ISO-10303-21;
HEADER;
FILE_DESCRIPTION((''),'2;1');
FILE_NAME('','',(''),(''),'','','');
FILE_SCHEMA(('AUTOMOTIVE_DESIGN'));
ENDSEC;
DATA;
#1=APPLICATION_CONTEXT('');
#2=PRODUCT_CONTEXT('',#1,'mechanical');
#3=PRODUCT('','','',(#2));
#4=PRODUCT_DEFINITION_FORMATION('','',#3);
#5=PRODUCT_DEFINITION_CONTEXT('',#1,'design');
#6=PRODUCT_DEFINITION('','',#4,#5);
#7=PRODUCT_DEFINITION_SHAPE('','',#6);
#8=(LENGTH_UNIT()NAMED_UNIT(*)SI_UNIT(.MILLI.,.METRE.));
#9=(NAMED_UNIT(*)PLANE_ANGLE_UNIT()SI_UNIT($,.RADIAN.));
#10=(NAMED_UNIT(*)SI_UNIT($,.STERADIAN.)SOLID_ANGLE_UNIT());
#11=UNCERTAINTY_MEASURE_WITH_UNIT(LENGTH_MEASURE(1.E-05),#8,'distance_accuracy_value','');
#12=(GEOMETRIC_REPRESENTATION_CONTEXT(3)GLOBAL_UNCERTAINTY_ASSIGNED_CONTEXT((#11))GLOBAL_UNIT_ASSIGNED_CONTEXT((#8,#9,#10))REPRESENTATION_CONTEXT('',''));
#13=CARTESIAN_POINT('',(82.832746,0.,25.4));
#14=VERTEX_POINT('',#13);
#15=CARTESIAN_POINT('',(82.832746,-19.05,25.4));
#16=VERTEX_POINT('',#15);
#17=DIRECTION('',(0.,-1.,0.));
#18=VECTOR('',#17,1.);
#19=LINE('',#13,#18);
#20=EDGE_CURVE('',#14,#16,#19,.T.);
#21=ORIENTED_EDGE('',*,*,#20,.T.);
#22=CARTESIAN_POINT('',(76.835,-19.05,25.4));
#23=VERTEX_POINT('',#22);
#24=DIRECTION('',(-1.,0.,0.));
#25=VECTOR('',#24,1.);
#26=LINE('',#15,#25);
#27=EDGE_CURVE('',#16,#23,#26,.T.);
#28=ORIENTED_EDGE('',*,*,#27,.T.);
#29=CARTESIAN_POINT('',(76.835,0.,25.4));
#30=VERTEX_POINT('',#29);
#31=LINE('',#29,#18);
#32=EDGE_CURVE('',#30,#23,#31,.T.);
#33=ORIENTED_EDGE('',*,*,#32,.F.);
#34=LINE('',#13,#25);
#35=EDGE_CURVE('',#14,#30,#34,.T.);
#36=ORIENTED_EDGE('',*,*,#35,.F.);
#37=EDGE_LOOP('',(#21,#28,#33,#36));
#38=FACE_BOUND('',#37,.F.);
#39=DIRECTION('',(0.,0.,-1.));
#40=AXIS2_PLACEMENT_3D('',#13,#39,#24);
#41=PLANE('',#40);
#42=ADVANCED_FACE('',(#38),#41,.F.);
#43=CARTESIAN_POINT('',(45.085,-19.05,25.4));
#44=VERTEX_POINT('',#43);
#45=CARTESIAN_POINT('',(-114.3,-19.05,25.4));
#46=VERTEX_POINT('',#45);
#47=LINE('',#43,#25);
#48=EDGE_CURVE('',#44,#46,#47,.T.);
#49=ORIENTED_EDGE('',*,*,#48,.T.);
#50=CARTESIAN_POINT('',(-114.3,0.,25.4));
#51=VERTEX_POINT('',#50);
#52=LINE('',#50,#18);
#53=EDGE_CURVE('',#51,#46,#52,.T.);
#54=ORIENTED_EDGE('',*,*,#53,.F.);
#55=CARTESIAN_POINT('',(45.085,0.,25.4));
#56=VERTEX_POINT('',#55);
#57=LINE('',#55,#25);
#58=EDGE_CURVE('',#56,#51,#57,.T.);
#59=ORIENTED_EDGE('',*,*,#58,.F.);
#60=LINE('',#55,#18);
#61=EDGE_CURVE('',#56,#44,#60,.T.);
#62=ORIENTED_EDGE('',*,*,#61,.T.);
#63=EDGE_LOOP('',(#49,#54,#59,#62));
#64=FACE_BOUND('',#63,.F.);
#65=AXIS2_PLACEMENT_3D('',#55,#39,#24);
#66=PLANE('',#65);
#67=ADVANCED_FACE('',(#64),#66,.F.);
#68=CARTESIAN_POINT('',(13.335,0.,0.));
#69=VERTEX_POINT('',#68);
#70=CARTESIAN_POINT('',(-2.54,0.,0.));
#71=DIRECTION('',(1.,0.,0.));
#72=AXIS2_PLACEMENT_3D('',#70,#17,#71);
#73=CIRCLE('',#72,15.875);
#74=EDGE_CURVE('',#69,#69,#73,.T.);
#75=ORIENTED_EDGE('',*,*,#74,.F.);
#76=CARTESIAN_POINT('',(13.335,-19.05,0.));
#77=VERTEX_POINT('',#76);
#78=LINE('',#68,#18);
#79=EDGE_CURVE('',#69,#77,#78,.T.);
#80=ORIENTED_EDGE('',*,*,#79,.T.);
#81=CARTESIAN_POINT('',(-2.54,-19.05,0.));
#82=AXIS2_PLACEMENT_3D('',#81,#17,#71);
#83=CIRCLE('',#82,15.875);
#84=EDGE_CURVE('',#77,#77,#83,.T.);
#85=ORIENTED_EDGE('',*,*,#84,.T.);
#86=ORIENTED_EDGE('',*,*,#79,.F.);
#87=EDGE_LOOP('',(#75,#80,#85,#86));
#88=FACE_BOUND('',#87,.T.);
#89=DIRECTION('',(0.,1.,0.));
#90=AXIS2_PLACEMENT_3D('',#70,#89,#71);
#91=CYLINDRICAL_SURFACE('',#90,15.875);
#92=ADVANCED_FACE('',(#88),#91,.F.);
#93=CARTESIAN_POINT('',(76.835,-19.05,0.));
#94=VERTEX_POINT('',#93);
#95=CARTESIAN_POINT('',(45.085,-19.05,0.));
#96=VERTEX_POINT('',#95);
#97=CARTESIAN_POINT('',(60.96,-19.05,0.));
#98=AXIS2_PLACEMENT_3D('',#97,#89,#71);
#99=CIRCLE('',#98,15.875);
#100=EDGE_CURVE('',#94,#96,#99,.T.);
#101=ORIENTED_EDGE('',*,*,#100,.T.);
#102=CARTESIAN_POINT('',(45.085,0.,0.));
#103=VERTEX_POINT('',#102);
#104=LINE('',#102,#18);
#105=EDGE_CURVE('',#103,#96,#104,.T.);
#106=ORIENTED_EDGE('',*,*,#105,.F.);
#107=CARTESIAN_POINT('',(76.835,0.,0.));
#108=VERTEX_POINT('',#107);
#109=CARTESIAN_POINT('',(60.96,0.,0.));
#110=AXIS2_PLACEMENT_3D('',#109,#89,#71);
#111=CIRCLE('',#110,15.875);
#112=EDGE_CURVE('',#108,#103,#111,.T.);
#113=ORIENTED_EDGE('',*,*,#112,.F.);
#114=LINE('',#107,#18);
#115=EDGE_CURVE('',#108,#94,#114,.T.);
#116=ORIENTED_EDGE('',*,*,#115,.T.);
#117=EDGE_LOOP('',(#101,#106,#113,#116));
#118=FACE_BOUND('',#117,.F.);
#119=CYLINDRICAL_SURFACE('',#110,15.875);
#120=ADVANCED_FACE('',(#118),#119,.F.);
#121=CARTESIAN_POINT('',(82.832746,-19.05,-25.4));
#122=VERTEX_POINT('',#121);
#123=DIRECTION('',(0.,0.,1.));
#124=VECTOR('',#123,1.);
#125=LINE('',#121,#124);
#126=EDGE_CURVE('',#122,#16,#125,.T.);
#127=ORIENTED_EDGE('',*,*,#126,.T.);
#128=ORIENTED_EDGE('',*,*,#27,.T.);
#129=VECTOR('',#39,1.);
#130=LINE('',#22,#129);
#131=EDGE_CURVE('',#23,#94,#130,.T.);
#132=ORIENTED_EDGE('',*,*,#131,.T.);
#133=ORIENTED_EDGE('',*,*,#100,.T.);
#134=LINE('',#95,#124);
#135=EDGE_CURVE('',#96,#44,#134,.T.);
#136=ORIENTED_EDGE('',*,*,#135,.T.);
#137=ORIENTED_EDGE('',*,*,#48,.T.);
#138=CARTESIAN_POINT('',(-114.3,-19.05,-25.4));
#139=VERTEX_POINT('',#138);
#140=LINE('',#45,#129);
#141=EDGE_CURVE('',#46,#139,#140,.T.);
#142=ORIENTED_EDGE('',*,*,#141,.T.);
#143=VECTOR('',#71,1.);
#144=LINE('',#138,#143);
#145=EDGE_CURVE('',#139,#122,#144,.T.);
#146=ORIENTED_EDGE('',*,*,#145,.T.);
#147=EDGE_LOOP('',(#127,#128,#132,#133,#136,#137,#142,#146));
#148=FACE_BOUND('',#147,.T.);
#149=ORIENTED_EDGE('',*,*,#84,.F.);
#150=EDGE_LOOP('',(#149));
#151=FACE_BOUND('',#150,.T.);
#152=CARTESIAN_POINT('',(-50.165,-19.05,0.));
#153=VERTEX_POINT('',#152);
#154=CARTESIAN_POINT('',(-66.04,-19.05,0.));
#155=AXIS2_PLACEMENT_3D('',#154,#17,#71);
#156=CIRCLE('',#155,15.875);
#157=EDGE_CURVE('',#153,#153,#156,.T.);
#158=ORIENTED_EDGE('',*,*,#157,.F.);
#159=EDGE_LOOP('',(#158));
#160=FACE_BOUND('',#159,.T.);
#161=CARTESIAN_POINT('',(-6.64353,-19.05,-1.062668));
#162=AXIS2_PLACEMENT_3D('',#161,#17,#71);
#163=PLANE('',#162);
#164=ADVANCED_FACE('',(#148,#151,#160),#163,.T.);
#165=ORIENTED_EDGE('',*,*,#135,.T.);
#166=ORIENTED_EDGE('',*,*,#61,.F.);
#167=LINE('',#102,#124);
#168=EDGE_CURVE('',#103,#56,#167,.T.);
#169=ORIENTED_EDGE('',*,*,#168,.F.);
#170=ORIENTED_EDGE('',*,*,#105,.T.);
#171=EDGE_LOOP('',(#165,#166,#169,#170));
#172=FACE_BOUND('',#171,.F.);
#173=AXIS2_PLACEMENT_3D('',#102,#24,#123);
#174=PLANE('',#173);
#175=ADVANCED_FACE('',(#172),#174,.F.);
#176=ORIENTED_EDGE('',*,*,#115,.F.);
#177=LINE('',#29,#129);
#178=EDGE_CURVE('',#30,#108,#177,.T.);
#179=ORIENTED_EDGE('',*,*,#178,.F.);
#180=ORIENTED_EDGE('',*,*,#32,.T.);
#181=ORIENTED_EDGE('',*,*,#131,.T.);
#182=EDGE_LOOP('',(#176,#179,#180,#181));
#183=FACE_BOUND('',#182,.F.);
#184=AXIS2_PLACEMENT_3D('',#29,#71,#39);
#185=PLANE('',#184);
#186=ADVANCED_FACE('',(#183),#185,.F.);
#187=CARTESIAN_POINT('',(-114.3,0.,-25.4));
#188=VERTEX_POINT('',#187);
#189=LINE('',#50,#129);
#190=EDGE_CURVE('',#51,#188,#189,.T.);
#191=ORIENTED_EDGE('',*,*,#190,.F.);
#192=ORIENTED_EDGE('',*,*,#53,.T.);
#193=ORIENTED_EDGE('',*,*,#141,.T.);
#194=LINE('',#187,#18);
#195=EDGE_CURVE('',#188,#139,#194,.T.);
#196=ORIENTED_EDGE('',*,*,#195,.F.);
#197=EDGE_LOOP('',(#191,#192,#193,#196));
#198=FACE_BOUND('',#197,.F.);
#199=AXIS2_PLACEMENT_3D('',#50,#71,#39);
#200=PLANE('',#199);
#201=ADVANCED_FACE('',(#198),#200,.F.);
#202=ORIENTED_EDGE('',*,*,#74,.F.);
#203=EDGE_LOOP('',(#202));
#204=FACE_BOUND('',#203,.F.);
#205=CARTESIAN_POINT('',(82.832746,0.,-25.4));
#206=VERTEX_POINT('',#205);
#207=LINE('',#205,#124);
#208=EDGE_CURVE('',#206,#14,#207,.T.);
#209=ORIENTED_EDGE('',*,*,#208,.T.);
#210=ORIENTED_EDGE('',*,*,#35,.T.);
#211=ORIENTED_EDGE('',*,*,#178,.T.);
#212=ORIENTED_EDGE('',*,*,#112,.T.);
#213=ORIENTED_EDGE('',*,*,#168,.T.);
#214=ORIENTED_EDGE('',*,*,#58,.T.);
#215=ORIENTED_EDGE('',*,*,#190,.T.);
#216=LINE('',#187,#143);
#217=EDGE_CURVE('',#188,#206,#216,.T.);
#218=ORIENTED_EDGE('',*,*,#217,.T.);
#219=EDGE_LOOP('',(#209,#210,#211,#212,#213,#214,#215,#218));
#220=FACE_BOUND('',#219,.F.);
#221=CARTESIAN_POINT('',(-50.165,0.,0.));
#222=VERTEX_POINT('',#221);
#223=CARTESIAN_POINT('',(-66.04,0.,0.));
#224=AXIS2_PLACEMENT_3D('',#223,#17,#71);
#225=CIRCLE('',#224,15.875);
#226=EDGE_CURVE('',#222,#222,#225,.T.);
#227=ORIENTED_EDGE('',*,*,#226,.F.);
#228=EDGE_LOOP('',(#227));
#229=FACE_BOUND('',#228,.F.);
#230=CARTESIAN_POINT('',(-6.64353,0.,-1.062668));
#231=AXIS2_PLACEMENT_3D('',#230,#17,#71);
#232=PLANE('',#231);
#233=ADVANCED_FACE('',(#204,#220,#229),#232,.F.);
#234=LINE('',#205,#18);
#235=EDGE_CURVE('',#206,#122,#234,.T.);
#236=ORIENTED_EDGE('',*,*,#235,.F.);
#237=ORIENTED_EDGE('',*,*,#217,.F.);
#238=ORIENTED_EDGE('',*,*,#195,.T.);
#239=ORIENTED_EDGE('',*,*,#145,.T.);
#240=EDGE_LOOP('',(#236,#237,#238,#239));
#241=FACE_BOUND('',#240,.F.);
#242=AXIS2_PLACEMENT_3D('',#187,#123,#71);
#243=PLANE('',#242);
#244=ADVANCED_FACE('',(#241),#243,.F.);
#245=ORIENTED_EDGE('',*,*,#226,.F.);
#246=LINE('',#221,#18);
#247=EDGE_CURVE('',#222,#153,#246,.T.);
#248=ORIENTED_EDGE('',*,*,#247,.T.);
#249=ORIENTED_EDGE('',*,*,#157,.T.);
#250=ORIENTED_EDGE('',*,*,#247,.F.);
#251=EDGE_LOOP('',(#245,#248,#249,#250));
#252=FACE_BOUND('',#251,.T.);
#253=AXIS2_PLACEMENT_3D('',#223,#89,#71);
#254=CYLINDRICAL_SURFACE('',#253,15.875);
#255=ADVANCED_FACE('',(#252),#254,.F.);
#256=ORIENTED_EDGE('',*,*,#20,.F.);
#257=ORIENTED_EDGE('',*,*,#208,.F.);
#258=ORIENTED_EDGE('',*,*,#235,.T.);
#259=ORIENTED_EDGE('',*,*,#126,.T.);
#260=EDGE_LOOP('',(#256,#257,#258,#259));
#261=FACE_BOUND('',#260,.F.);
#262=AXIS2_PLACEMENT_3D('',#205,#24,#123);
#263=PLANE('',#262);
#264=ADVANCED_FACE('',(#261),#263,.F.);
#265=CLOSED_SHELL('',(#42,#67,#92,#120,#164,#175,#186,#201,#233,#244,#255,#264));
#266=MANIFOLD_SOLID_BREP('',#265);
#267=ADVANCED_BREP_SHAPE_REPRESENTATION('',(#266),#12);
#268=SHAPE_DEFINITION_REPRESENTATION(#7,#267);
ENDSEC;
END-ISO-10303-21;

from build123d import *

# Parameters (mm, degrees)
F0_R     = 15.875
F1_DEPTH = 19.05


with BuildPart() as f1:
    # F0 (on Front) → F1 (new body)
    with BuildSketch(Plane.XZ):
        with BuildLine():
            Line((-114.3, -25.4), (82.832746, -25.4))
            Line((82.832746, -25.4), (82.832746, 25.4))
            Line((82.832746, 25.4), (76.835, 25.4))
            Line((76.835, 25.4), (76.835, 0))
            ThreePointArc((76.835, 0), (60.96, -15.875), (45.085, 0))
            Line((45.085, 0), (45.085, 25.4))
            Line((45.085, 25.4), (-114.3, 25.4))
            Line((-114.3, 25.4), (-114.3, -25.4))
        make_face()
        with Locations((-66.04, 0)):
            Circle(F0_R, mode=Mode.SUBTRACT)
        with Locations((-2.54, 0)):
            Circle(F0_R, mode=Mode.SUBTRACT)
    extrude(amount=F1_DEPTH)


solid = f1.part
